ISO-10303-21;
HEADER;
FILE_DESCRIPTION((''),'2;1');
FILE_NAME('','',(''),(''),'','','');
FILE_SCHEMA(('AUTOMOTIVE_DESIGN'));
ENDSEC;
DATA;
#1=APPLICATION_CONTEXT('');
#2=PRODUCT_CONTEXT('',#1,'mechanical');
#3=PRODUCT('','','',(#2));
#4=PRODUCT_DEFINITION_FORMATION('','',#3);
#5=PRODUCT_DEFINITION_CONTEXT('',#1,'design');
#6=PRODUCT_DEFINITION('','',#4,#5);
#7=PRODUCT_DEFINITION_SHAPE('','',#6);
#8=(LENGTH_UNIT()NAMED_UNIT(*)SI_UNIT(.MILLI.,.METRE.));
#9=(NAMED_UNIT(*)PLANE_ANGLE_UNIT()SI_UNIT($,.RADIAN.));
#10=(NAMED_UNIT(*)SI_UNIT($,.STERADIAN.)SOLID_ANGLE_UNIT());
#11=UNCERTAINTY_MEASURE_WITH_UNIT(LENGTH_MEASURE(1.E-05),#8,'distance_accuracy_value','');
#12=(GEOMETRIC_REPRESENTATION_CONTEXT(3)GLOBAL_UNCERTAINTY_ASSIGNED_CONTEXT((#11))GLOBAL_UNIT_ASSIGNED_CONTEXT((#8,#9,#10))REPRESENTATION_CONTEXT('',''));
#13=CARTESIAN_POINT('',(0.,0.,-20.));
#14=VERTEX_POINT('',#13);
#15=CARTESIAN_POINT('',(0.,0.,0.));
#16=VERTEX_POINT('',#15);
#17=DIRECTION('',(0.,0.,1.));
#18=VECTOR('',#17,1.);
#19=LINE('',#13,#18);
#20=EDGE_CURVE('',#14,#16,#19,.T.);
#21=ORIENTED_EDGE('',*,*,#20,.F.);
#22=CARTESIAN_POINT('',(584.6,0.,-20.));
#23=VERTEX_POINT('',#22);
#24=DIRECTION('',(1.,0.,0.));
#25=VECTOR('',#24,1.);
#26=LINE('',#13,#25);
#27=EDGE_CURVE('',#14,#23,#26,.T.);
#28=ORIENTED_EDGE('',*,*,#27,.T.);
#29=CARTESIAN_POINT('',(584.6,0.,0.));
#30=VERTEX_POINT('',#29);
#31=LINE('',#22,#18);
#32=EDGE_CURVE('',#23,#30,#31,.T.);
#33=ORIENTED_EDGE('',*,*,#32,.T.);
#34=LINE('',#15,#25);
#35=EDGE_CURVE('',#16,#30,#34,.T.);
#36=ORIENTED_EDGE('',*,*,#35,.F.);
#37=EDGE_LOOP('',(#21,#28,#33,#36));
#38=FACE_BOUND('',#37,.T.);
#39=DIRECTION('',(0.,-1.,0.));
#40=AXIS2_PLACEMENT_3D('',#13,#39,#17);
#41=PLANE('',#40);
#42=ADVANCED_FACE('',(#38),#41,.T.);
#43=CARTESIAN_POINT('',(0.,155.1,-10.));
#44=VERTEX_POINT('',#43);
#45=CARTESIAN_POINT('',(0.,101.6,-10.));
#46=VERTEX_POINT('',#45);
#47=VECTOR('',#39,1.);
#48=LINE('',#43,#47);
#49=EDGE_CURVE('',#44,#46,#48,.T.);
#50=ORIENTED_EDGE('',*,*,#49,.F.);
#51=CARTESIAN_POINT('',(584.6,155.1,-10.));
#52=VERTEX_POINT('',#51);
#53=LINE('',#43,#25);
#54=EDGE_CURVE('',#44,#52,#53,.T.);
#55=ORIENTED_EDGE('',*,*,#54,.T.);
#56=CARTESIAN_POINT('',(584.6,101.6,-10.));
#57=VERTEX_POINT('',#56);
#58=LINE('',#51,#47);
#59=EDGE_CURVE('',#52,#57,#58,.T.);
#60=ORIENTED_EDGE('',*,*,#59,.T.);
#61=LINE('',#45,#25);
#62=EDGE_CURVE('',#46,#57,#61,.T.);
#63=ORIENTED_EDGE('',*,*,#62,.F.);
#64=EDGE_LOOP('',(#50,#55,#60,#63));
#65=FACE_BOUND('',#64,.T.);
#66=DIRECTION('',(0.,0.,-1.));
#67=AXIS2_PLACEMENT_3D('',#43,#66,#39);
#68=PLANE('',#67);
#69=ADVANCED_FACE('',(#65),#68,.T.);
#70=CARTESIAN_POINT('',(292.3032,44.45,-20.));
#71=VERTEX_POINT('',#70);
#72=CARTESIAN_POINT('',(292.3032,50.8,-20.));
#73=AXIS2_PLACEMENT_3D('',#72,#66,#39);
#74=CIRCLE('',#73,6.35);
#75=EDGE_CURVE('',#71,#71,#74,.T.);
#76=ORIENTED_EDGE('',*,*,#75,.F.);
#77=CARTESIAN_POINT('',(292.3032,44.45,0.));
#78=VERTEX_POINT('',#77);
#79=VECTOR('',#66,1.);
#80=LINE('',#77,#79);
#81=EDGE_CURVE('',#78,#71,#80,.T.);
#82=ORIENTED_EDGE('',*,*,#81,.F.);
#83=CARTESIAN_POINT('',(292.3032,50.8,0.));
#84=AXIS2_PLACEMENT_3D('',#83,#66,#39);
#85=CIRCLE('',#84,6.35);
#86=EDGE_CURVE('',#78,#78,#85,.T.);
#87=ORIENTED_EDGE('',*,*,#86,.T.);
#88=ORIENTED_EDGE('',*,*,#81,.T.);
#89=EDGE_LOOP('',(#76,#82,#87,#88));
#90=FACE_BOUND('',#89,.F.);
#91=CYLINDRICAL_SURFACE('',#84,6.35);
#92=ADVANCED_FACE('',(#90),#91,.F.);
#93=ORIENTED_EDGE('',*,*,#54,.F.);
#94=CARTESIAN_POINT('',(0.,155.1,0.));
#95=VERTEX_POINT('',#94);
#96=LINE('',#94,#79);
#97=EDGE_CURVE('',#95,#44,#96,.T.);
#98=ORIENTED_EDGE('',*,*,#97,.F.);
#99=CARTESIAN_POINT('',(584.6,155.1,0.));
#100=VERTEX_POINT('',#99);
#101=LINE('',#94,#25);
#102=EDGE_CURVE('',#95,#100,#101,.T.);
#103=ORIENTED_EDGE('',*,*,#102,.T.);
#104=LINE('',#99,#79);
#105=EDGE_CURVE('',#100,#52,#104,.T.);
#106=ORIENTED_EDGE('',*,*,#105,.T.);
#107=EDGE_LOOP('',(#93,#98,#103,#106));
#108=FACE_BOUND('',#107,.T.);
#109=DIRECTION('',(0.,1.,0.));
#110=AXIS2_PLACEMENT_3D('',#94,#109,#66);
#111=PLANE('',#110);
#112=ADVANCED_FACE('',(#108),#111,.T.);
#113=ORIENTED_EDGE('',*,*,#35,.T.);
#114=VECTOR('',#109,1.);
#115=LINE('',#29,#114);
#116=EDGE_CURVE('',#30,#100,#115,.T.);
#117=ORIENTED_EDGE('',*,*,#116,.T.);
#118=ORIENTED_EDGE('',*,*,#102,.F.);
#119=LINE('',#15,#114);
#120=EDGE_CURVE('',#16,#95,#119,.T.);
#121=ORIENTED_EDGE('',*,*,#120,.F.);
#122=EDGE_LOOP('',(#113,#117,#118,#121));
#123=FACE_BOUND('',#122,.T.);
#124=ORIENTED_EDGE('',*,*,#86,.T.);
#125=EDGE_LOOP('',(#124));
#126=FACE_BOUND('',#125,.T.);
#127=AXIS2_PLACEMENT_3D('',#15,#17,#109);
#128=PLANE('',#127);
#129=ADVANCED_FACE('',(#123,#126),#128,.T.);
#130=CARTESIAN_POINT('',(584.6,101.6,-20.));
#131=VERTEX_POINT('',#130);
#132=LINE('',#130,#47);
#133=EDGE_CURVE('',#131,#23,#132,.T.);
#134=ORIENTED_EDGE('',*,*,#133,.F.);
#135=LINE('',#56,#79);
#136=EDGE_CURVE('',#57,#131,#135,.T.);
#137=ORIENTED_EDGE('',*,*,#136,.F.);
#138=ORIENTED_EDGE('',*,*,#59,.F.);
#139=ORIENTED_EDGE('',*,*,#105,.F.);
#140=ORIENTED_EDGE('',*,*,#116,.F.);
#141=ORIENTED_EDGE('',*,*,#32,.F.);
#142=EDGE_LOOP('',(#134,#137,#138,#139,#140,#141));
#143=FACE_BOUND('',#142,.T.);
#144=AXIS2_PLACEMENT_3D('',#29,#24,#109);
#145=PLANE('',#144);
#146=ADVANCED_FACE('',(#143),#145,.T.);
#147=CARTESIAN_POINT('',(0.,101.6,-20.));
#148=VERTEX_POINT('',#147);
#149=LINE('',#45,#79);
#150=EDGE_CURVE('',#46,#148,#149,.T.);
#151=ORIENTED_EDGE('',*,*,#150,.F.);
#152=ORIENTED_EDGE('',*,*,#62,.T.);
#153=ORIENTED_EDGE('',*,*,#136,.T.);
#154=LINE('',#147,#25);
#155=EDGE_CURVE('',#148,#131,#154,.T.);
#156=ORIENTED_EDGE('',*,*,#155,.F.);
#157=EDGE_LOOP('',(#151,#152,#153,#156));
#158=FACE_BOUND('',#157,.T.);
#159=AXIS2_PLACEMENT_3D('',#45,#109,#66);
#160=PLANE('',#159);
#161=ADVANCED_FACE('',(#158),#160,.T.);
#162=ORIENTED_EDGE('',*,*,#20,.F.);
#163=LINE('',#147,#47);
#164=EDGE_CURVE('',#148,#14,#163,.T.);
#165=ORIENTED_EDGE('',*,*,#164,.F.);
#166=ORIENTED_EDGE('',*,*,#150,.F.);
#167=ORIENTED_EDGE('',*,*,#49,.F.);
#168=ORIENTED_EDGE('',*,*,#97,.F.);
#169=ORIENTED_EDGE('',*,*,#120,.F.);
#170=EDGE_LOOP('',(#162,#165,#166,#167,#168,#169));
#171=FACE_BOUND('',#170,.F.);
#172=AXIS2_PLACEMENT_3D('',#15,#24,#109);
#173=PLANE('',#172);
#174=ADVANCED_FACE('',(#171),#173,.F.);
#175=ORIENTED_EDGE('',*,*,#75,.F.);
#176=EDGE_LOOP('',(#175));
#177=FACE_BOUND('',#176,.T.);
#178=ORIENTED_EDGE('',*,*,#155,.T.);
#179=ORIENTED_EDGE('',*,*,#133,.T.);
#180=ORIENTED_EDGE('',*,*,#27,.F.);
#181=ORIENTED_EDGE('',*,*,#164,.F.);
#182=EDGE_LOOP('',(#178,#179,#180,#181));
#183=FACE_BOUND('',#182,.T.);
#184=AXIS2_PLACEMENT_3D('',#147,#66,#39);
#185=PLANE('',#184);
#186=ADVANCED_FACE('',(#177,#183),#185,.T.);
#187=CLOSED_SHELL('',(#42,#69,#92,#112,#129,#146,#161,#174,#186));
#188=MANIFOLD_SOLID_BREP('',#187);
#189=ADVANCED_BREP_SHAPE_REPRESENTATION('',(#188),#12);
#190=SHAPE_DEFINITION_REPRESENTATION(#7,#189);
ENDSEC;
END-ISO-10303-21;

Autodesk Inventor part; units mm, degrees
ref_plane "YZ Plane" through (0, 0, 0) normal (1, 0, 0) x (0, 1, 0)
ref_plane "XZ Plane" through (0, 0, 0) normal (0, 1, 0) x (-1, 0, 0)
sketch "Sketch1" plane through (0, 0, 0) normal (1, 0, 0) x (0, 1, 0)
  line L0 (0, 0) -> (155.1, 0)
  line L1 (155.1, 0) -> (155.1, -10)
  line L2 (0, -20) -> (0, 0)
  line L3 (155.1, -10) -> (101.6, -10)
  line L4 (101.6, -10) -> (101.6, -20)
  line L5 (101.6, -20) -> (0, -20)
  dimension "d0" = 53.5
  dimension "d1" = 155.1
  dimension "d2" = 10
  dimension "d3" = 10
  dimension "d4" = 20
extrude "Extrusion1" add sketch "Sketch1" along normal blind 584.6
ref_plane "Work Plane2" through (609.4222, 0, -20) normal (0, 0, -1) x (-1, 0, 0)
sketch "Sketch4" plane through (0, 0, 0) normal (0, 0, 1) x (1, 0, 0)
  line L0 (0, 0) -> (0, 155.1) projected
  line L1 (0, 0) -> (292.3032, 0)
  line L2 (0, 0) -> (584.6, 0) projected
  line L3 (292.3032, 50.8) -> (292.3032, 0)
  dimension "d38" = 292.3032
  dimension "d39" = 50.8
hole "Hole1" at (292.3032, 50.8, 0) direction (0, 0, -1) diameter 12.7 end through all
properties part number "SkinnySideWOpposite" material "Wood (Birch)"
